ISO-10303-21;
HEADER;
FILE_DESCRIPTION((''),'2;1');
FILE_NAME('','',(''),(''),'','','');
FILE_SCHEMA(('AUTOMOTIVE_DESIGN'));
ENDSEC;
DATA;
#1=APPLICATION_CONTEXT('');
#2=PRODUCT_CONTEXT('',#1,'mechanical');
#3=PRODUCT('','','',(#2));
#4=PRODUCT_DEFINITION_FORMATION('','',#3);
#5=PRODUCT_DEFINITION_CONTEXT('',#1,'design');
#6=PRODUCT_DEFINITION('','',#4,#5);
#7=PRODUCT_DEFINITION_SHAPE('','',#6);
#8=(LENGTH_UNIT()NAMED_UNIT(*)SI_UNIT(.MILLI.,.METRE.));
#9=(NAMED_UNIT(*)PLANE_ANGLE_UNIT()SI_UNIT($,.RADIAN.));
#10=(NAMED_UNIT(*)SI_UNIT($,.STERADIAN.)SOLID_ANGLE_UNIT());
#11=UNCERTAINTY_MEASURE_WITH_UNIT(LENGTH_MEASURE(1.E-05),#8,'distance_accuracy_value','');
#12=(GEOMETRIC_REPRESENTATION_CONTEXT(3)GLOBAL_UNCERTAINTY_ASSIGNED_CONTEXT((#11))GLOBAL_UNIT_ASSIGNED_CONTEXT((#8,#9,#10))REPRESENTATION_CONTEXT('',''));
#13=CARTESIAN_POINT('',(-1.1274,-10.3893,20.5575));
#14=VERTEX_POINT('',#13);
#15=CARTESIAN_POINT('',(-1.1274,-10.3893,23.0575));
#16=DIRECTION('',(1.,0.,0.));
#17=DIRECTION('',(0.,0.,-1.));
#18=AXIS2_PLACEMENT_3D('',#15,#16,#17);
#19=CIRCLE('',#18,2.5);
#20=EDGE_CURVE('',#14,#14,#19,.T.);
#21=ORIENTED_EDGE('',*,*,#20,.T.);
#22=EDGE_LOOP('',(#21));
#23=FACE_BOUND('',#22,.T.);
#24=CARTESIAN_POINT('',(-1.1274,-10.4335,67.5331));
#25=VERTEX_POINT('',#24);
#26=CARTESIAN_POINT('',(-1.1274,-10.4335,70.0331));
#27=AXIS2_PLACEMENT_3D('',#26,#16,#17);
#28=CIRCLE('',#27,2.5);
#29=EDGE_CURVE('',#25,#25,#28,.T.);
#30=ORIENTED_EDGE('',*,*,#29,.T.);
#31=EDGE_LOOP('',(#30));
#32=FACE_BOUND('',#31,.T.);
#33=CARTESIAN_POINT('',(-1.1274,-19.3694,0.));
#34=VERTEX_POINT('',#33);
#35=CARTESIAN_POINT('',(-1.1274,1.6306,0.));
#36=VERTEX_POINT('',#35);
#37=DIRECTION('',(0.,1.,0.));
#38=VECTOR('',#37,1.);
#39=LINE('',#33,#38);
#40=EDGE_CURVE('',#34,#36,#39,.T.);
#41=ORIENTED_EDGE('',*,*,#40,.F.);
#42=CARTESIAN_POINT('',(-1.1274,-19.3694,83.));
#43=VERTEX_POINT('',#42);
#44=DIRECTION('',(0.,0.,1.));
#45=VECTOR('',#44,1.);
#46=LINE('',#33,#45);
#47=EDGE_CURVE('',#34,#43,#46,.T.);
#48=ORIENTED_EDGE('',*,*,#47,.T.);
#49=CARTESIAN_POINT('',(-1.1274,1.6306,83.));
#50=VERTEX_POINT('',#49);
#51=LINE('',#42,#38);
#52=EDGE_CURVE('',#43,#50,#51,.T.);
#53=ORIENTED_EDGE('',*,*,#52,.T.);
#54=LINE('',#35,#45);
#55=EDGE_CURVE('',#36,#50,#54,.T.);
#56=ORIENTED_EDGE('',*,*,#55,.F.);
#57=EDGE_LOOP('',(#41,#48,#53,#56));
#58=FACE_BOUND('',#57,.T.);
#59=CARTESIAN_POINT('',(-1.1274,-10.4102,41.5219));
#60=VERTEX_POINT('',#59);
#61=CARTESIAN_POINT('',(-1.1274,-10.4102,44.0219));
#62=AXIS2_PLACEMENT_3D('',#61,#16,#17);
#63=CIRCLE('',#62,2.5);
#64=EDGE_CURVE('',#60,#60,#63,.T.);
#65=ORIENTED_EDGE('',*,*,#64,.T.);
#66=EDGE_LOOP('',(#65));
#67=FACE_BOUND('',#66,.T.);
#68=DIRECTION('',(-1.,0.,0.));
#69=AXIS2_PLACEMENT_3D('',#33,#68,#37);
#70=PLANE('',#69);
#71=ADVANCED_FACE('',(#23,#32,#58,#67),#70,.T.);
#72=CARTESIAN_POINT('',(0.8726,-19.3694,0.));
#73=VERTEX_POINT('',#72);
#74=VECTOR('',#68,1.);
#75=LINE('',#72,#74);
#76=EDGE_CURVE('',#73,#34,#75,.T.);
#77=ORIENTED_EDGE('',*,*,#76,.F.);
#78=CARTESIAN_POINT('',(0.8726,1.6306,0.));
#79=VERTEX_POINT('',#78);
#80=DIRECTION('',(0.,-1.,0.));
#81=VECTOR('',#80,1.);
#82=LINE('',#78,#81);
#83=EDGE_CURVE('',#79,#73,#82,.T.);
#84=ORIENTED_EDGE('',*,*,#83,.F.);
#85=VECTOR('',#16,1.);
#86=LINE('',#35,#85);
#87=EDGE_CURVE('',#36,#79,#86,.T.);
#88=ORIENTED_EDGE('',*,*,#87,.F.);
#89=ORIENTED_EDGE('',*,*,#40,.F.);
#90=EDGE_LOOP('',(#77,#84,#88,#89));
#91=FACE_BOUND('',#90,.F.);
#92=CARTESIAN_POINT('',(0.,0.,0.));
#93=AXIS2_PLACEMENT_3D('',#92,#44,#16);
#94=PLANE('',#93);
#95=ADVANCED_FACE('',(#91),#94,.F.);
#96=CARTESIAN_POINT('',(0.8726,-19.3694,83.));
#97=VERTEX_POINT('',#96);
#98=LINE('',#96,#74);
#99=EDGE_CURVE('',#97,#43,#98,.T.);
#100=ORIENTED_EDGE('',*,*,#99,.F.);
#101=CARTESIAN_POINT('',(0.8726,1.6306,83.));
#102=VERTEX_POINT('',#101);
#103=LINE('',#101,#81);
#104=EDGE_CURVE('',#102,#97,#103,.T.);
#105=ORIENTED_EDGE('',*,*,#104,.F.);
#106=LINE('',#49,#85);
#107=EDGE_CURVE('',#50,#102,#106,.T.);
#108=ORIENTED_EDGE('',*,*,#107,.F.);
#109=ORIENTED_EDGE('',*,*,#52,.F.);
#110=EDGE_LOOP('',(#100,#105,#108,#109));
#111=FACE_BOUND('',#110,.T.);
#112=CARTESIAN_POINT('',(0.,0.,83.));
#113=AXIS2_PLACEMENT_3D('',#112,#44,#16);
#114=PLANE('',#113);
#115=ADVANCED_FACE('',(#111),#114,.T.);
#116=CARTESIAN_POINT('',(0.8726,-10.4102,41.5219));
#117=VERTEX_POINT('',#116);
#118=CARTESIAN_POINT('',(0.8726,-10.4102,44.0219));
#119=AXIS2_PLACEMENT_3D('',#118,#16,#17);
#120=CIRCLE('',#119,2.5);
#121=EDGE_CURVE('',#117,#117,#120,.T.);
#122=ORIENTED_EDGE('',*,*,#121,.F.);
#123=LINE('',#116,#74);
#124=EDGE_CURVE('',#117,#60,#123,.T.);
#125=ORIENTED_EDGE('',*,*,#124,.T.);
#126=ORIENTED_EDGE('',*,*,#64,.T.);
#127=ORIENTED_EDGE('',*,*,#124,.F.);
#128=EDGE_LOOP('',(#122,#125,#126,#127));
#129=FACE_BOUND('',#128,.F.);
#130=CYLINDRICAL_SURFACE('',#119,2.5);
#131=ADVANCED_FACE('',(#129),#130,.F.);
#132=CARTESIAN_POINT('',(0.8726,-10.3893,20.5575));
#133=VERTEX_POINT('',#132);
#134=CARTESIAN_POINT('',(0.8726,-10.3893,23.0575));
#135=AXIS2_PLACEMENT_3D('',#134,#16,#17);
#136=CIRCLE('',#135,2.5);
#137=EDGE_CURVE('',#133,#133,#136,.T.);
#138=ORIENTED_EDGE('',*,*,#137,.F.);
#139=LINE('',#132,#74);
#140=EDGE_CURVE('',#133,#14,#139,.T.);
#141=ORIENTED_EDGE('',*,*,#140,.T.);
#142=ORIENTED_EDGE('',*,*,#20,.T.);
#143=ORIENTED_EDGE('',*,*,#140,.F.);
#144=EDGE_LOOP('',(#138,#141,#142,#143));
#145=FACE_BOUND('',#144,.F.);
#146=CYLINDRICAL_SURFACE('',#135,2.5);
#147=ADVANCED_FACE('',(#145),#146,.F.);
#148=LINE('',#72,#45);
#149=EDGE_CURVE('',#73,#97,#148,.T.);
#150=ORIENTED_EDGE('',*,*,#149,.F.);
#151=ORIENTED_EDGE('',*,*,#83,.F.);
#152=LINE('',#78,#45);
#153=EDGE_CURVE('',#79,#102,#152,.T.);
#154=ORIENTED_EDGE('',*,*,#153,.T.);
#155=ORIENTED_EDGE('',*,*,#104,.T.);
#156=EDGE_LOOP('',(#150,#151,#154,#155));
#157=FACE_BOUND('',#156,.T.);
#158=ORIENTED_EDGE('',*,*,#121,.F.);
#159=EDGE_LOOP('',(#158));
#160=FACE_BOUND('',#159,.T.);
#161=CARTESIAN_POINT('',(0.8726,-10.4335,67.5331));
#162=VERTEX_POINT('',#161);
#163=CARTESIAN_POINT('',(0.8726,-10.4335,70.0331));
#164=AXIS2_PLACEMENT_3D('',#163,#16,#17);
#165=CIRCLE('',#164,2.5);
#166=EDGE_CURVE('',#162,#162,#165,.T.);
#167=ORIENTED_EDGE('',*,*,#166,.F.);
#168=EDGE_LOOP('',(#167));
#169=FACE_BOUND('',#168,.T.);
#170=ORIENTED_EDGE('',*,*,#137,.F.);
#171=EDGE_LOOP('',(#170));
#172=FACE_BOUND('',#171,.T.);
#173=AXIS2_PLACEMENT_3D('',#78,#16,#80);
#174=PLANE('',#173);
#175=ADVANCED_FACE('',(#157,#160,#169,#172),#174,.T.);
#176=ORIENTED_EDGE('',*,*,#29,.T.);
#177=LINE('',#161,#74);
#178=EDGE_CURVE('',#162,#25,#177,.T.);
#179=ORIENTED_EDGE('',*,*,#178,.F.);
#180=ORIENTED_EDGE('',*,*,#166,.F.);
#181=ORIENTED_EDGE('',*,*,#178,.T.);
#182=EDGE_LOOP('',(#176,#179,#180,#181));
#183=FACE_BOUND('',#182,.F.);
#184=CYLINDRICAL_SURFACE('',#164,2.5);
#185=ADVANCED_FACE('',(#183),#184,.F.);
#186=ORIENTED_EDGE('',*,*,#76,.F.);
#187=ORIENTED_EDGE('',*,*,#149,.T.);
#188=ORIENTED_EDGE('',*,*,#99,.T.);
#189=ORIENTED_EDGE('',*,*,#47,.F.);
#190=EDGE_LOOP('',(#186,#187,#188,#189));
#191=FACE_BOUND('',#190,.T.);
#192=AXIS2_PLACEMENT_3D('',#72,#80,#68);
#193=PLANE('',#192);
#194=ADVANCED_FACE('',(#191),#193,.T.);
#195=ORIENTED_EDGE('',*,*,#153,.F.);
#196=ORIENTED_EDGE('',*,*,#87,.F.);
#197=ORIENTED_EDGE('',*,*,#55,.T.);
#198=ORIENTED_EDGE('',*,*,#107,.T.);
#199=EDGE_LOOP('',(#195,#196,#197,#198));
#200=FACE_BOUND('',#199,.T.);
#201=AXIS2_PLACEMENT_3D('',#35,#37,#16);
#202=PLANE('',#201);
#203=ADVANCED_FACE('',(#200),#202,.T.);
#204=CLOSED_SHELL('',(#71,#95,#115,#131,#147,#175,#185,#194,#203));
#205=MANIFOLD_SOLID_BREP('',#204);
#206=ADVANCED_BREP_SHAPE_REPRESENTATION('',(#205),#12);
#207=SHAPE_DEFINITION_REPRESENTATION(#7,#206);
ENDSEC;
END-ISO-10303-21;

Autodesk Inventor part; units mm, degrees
ref_plane "YZ Plane" through (0, 0, 0) normal (1, 0, 0) x (0, 1, 0)
ref_plane "XZ Plane" through (0, 0, 0) normal (0, 1, 0) x (-1, 0, 0)
ref_plane "XY Plane" through (0, 0, 0) normal (0, 0, 1) x (1, 0, 0)
sketch "Sketch1" plane through (0, 0, 0) normal (0, 0, 1) x (1, 0, 0)
  line L0 (-1.1274, 1.6306) -> (0.8726, 1.6306)
  line L1 (0.8726, 1.6306) -> (0.8726, -19.3694)
  line L2 (0.8726, -19.3694) -> (-1.1274, -19.3694)
  line L3 (-1.1274, -19.3694) -> (-1.1274, 1.6306)
  point P0 (0, 0)
  dimension "d0" = 2
  dimension "d1" = 21
extrude "Extrusion1" add sketch "Sketch1" along normal blind 83
sketch "Sketch2" plane through (0.8726, -19.3694, 0) normal (1, 0, 0) x (0, 0, -1)
  circle A0 centre (-23.0575, 8.9801) radius 2.5 projected
  circle A1 centre (-23.0575, 8.9801) radius 2.5 projected
  circle A2 centre (-23.0575, 8.9801) radius 2.5 projected
  circle A3 centre (-44.0219, 8.9592) radius 2.5 projected
  circle A4 centre (-44.0219, 8.9592) radius 2.5 projected
  circle A5 centre (-44.0219, 8.9592) radius 2.5 projected
  circle A6 centre (-44.0219, 8.9592) radius 2.5 projected
  circle A7 centre (-44.0219, 8.9592) radius 2.5 projected
  circle A8 centre (-70.0331, 8.9359) radius 2.5 projected
  point P0 (0, 19.3694)
extrude "Extrusion2" cut sketch "Sketch2" against normal blind 10
properties part number "Gear wall motor side"
